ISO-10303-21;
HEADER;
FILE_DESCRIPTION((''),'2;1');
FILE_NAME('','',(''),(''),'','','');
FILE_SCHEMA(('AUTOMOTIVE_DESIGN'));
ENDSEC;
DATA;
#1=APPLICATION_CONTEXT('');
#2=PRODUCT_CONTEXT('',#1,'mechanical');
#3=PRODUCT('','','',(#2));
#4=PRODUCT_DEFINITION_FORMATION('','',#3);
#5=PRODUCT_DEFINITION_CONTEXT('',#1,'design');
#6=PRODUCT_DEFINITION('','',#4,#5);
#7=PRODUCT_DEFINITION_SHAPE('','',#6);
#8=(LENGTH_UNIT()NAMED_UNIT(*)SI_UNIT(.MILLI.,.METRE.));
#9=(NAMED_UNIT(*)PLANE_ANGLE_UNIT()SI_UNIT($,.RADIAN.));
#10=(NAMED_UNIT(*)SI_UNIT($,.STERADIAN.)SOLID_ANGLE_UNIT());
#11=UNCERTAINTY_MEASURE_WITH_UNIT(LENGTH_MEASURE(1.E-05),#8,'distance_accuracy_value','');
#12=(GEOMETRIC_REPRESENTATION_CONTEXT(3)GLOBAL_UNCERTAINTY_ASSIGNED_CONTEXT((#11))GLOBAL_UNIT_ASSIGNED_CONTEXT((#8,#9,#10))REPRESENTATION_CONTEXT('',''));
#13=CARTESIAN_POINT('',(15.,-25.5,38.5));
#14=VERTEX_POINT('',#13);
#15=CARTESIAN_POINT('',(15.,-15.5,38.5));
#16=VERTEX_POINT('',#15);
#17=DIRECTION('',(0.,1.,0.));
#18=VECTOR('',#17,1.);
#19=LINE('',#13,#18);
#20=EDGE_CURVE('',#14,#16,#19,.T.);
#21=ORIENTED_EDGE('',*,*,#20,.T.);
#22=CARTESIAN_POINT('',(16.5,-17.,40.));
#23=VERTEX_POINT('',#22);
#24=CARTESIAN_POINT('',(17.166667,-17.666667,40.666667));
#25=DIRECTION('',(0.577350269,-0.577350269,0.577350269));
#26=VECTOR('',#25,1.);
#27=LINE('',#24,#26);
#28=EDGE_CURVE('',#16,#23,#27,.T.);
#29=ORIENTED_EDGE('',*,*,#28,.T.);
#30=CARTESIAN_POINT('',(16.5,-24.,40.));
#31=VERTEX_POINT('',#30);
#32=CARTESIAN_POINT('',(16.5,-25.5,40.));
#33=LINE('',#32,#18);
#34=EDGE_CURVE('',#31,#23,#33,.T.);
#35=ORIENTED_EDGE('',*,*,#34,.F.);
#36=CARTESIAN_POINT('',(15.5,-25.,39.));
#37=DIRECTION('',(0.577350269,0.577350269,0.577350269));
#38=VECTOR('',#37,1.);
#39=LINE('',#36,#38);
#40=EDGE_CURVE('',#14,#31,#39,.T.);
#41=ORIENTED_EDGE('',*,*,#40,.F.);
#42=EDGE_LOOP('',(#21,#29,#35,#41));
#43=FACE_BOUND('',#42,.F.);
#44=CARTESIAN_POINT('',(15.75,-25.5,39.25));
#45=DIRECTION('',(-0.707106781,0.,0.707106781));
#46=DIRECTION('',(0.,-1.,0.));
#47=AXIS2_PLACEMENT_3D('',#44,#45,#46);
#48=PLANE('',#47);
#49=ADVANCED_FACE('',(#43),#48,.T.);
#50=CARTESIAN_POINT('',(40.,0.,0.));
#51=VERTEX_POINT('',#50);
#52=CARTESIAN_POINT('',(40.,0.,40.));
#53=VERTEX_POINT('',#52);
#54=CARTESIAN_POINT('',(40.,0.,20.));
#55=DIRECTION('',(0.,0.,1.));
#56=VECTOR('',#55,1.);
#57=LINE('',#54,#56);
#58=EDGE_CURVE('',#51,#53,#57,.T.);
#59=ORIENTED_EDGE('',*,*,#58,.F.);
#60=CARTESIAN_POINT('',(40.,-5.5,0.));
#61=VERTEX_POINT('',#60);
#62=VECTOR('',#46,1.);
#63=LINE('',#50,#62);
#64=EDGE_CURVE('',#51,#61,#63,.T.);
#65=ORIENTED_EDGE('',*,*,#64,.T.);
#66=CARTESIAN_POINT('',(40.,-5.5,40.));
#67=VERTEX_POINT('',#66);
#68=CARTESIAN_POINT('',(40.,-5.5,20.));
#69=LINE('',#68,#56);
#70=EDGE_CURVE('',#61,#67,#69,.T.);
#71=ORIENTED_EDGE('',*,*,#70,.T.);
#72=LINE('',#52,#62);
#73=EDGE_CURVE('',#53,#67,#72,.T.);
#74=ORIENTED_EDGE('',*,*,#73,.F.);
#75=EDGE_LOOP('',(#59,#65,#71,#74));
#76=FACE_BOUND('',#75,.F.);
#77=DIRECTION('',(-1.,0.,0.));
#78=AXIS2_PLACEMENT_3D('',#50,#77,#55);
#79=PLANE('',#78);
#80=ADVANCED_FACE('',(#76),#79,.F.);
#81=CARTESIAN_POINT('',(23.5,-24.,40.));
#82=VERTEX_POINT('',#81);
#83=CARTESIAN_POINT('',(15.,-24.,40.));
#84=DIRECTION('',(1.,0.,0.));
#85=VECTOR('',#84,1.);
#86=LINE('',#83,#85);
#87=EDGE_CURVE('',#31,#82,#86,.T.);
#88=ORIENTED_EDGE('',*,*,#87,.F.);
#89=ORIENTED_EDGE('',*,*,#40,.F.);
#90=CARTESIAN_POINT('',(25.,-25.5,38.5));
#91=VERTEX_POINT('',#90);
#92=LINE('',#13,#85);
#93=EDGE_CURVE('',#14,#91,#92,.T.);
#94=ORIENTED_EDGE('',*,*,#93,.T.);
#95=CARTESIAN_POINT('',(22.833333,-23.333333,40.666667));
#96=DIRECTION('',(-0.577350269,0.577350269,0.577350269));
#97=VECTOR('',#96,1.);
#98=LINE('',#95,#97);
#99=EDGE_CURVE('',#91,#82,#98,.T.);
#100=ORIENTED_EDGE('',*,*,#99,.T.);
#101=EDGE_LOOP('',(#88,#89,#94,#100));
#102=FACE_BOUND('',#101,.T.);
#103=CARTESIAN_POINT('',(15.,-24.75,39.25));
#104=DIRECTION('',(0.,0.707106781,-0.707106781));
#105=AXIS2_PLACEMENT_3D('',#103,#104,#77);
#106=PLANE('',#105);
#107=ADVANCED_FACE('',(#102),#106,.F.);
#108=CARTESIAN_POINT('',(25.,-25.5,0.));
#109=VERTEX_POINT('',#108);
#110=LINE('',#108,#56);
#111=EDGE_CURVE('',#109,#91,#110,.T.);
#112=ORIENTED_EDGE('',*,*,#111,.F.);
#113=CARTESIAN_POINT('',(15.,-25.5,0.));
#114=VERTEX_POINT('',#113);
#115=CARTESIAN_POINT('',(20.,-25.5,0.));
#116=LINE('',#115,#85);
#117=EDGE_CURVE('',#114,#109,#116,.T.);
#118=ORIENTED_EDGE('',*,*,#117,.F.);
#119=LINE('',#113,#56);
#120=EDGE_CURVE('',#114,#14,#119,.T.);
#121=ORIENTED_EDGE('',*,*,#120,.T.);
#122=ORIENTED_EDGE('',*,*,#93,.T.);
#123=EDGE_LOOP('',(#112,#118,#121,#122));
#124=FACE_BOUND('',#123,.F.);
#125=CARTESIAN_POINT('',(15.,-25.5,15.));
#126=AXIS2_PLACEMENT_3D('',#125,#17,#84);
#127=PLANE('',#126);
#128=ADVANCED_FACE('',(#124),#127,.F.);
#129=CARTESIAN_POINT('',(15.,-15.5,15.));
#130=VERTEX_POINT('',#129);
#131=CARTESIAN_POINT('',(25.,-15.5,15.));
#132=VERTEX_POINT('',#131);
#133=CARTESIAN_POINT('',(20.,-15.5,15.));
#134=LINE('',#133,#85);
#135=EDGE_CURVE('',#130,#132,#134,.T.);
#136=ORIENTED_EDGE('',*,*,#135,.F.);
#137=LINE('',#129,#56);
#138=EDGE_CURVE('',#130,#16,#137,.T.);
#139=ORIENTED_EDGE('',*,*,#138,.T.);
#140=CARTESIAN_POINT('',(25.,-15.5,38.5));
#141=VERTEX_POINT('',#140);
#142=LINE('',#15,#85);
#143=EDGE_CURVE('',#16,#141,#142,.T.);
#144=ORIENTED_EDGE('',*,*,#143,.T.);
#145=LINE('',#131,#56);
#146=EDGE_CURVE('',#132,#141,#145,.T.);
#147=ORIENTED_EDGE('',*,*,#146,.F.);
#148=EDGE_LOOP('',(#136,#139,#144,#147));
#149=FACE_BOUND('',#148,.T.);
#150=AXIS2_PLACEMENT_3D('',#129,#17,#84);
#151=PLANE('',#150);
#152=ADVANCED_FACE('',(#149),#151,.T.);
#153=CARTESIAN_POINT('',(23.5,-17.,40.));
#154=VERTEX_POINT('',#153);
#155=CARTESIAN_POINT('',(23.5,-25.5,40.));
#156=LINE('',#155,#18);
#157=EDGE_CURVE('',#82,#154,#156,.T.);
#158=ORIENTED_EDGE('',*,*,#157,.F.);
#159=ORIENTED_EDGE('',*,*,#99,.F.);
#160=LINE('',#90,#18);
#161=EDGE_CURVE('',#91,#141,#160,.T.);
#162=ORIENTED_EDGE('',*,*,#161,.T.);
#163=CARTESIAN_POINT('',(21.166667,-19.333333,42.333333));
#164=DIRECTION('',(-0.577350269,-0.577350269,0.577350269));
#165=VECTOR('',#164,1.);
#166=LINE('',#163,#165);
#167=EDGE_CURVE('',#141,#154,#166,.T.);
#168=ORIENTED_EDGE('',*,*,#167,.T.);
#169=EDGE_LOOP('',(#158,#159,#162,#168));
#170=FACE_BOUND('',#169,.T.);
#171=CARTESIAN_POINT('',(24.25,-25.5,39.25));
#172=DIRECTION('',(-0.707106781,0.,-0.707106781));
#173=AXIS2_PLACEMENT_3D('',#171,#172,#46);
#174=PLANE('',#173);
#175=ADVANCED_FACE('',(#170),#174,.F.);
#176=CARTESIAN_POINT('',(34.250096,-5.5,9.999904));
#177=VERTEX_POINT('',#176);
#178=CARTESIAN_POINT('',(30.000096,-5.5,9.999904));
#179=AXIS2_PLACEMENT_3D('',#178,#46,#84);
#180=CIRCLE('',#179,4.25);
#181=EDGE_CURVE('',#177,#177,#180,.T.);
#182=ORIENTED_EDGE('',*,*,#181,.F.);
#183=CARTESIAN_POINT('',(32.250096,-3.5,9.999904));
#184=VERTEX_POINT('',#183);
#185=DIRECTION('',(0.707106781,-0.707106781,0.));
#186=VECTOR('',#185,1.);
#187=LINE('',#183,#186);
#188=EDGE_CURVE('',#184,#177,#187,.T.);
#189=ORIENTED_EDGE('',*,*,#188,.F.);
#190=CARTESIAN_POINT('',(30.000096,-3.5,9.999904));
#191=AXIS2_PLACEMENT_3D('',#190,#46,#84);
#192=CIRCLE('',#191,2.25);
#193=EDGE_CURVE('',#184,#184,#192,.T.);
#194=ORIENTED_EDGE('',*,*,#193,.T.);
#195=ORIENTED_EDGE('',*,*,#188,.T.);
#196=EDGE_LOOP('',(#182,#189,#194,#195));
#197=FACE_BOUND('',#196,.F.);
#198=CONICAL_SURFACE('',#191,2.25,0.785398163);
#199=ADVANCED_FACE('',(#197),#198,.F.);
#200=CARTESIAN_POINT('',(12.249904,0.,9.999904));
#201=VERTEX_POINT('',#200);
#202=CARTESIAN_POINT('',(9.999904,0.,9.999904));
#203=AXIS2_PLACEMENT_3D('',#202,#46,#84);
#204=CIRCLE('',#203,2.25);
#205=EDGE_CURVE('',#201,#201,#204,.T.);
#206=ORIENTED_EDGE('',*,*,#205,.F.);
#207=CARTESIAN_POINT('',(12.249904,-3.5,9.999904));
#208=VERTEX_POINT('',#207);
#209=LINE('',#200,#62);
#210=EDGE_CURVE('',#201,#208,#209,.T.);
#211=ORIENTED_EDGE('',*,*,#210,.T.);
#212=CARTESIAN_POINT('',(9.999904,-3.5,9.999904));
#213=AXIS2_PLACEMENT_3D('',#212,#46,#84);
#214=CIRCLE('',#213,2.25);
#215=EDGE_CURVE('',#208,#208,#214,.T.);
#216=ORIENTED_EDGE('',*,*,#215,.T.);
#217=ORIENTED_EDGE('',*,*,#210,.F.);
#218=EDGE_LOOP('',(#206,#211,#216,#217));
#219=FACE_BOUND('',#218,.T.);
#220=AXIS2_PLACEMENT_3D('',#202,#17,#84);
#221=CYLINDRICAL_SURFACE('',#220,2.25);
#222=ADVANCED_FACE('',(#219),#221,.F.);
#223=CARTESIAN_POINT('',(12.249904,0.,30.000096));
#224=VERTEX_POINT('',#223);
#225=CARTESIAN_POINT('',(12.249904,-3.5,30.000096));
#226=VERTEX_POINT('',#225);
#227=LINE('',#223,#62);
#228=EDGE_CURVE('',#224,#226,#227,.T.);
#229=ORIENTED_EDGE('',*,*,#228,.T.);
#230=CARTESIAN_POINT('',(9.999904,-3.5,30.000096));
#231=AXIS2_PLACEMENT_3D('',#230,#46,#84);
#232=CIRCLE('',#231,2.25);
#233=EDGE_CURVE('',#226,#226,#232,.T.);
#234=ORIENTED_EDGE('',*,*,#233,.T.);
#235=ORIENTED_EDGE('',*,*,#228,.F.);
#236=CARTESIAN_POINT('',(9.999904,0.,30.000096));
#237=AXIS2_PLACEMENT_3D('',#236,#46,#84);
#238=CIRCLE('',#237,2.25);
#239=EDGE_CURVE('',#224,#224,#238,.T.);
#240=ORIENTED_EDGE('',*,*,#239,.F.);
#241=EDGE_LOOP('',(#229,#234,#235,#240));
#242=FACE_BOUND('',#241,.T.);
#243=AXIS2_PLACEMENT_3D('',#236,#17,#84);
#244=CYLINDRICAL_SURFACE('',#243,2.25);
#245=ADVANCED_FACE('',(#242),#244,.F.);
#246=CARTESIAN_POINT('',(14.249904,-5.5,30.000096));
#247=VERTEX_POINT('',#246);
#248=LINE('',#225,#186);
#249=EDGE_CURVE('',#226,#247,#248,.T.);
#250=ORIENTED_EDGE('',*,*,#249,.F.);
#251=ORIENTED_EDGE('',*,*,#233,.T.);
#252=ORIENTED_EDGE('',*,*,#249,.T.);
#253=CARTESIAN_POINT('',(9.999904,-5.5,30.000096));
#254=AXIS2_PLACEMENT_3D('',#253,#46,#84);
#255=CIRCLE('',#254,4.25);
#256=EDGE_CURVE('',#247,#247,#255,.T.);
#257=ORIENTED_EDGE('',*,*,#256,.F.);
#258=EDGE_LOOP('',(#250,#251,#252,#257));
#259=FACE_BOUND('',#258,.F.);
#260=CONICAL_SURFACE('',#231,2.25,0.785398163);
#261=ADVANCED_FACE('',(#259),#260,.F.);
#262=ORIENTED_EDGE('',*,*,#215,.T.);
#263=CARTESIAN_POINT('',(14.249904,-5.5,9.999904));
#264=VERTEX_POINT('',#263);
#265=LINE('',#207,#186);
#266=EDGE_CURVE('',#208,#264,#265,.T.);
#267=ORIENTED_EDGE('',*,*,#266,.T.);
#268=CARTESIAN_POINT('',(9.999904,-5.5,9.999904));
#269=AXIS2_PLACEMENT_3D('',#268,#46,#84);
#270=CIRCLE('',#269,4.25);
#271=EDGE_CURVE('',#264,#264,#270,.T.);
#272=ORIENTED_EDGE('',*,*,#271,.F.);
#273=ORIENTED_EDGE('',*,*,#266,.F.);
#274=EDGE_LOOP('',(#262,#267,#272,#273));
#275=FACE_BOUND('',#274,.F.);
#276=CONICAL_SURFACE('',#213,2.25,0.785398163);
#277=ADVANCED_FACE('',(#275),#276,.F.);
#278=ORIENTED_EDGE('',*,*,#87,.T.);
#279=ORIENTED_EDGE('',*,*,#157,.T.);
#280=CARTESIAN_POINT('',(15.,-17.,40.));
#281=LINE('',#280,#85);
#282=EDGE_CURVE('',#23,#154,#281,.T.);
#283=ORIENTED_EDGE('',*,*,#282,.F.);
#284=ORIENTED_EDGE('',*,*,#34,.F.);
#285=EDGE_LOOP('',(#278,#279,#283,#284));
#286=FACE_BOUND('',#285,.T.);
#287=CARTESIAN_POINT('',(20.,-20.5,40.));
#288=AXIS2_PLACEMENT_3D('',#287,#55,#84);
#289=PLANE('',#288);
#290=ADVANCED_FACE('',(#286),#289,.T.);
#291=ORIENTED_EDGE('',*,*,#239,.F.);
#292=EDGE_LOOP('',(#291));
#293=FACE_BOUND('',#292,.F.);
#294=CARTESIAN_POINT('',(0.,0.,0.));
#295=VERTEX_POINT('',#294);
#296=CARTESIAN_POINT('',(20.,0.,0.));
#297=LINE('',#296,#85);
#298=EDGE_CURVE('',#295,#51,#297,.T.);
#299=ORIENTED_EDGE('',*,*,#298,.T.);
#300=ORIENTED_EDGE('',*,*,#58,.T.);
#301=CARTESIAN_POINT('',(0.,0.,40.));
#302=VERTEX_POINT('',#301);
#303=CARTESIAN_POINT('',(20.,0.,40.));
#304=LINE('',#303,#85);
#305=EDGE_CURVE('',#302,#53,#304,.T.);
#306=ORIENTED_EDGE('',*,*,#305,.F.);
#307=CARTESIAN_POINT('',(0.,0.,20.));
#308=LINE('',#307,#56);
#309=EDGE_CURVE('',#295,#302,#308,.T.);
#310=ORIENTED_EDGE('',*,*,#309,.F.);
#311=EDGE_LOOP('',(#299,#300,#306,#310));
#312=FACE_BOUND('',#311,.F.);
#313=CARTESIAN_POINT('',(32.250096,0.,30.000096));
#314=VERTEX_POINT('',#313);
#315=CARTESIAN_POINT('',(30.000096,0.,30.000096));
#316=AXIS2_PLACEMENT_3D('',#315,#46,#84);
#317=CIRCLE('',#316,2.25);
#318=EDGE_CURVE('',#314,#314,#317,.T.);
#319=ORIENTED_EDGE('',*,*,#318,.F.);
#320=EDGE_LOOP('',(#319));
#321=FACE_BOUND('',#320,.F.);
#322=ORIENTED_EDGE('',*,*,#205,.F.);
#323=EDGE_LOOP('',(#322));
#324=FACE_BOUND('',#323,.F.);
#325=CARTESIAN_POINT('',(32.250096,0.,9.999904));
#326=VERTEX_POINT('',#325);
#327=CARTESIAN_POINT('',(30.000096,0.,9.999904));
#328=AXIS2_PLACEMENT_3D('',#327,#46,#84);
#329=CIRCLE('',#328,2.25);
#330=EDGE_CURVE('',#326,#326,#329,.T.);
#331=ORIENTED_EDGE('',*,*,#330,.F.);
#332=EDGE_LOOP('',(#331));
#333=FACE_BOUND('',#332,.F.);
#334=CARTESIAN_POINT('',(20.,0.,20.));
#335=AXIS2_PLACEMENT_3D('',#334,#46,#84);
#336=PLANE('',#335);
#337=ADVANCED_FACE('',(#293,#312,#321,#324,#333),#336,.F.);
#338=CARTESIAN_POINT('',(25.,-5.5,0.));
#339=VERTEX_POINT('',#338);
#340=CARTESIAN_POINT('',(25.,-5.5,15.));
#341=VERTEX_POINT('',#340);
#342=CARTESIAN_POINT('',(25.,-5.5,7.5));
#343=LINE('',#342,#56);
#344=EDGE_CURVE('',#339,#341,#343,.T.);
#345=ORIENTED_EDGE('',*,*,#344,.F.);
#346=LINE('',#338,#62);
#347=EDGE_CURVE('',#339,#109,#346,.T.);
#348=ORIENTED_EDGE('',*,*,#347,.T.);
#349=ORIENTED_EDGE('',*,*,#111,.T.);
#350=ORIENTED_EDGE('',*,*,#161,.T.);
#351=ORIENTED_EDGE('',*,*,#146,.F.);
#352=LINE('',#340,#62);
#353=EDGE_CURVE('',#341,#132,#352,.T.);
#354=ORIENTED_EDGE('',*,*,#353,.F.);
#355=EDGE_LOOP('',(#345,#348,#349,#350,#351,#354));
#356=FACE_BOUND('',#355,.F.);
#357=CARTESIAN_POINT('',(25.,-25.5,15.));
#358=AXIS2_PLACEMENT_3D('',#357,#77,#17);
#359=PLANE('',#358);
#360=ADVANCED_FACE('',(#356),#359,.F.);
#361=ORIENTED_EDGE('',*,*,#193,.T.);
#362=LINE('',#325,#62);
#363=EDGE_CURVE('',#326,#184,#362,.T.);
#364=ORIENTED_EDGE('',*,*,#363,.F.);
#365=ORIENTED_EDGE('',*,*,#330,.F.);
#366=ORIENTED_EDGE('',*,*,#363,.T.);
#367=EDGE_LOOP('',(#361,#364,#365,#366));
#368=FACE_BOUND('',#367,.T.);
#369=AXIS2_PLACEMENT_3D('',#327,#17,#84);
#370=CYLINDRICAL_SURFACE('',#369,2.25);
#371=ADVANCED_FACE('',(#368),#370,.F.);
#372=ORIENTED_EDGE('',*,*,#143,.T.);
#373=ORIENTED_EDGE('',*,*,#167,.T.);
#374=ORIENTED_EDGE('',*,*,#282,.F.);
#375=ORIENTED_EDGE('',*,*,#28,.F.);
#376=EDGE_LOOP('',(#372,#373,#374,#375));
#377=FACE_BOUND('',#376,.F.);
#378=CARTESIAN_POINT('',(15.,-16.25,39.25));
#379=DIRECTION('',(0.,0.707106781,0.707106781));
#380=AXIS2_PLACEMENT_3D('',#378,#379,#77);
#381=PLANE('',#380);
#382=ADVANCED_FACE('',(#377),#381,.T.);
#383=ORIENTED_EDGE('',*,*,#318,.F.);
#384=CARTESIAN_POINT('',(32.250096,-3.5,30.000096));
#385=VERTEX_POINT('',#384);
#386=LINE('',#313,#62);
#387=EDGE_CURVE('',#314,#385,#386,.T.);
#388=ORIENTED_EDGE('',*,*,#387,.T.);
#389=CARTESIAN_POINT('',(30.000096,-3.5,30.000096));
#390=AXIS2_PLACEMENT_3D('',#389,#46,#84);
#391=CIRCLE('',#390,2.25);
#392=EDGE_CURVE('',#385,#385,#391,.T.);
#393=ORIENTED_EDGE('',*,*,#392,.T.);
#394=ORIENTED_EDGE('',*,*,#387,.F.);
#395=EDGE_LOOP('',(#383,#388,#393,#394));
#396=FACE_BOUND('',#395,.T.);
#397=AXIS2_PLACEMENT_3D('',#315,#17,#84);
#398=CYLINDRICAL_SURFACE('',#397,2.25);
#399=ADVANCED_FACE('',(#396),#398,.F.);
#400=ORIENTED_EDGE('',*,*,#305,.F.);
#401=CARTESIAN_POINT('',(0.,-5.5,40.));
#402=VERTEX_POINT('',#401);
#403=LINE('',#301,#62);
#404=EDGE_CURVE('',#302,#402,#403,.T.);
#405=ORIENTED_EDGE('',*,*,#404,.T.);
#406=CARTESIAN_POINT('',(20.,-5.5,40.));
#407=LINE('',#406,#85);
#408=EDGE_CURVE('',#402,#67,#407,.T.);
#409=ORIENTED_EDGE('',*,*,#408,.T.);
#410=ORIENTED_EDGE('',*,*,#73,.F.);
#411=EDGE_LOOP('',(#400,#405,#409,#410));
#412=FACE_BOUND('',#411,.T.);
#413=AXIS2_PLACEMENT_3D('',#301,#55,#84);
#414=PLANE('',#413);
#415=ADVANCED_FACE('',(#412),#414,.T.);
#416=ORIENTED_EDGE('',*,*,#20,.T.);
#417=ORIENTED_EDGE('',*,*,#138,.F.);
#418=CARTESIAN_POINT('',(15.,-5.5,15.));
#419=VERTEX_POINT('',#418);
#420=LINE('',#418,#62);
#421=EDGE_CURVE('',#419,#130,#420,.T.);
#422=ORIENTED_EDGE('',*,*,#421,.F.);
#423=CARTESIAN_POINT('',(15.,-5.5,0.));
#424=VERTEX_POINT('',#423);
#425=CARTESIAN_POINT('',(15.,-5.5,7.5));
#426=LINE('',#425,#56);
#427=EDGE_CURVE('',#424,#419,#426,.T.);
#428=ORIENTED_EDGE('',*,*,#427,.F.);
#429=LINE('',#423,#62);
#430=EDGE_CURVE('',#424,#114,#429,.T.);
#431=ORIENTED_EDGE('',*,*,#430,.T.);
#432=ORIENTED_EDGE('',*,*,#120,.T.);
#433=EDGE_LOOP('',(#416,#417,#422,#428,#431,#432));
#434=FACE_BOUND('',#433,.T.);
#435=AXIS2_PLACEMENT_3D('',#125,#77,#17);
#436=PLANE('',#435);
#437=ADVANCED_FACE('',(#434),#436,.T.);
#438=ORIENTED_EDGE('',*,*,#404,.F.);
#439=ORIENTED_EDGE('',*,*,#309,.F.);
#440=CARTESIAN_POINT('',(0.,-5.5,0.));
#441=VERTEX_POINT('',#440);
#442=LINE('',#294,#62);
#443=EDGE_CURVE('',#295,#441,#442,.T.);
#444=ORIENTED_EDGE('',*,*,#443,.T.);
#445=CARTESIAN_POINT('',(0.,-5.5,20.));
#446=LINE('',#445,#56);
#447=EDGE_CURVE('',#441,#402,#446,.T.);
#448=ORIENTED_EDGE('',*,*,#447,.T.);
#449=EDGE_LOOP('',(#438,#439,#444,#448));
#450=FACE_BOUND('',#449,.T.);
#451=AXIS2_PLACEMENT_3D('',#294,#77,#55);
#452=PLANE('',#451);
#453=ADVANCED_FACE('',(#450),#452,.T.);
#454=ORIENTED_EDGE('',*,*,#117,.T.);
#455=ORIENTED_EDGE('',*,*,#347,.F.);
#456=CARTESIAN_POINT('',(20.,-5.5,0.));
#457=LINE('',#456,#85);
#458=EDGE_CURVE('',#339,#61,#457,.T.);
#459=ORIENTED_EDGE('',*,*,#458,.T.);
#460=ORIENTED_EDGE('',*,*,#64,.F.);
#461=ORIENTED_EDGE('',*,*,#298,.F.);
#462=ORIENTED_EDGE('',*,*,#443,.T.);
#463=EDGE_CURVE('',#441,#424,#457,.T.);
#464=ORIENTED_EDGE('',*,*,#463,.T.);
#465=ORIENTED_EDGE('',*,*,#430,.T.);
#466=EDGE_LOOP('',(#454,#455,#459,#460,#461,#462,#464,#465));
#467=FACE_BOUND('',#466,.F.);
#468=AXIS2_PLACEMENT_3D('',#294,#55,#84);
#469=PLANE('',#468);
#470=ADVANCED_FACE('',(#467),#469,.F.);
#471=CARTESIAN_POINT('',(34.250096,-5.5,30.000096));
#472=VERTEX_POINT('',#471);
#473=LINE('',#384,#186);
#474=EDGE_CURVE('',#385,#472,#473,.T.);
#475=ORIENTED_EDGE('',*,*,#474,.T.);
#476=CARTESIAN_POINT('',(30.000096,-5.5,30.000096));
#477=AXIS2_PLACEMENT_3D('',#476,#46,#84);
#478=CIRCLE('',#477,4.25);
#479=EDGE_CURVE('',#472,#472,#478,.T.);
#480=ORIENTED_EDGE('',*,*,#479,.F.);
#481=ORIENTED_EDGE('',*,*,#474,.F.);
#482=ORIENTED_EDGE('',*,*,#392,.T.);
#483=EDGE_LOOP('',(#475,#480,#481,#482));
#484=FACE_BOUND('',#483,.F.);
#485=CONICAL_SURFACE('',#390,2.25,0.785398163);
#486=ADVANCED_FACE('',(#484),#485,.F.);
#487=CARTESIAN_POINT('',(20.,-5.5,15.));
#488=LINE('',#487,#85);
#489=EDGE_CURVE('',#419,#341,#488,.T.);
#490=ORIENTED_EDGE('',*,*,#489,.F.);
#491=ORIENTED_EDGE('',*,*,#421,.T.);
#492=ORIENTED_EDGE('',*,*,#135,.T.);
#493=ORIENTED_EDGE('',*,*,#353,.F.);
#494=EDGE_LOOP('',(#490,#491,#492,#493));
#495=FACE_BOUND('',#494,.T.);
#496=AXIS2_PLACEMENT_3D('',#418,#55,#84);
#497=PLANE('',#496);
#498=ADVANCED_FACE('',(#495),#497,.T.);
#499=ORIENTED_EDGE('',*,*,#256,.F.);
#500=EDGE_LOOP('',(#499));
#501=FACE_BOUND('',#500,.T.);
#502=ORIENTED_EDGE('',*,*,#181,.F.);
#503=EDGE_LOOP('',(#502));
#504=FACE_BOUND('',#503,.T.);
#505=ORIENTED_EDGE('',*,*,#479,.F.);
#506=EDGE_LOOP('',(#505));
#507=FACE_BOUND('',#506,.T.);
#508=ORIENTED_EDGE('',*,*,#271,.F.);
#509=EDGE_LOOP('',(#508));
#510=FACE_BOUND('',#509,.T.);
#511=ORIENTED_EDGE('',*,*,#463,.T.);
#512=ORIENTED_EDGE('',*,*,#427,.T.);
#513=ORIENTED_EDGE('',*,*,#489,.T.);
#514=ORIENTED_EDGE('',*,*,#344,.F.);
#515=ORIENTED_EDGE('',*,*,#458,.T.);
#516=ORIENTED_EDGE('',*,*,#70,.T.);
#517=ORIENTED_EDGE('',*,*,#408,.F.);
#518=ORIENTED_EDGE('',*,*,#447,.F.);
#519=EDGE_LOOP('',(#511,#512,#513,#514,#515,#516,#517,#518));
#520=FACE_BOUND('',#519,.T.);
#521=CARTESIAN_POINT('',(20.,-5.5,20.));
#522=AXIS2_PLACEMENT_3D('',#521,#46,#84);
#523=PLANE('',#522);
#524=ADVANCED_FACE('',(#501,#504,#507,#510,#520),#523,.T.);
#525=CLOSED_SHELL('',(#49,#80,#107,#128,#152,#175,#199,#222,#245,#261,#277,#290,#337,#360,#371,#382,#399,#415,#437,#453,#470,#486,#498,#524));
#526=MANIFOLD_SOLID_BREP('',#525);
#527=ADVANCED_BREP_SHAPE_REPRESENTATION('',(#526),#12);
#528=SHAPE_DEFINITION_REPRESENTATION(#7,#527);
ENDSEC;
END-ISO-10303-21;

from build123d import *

# Parameters (mm, degrees)
F0_W     = 40
F0_H     = 40
F0_R     = 2.25
F1_DEPTH = 5.5
F2_SIZE  = 2
F3_W     = 10
F3_H     = 15
F4_DEPTH = 20
F5_W     = 10
F5_H     = 10
F6_DEPTH = 25
F7_SIZE  = 1.5


with BuildPart() as f1:
    # F0 (on Front) → F1 (new body)
    with BuildSketch(Plane.XZ):
        with Locations((20, 20)):
            Rectangle(F0_W, F0_H)
        with Locations((9.999904, 9.999904)):
            Circle(F0_R, mode=Mode.SUBTRACT)
        with Locations((30.000096, 9.999904)):
            Circle(F0_R, mode=Mode.SUBTRACT)
        with Locations((9.999904, 30.000096)):
            Circle(F0_R, mode=Mode.SUBTRACT)
        with Locations((30.000096, 30.000096)):
            Circle(F0_R, mode=Mode.SUBTRACT)
    extrude(amount=F1_DEPTH)

    # F2
    f2_edges = [f1.edges().sort_by_distance(p)[0] for p in [
        (7.749904, -5.5, 30.000096),
        (27.750096, -5.5, 30.000096),
        (27.750096, -5.5, 9.999904),
        (7.749904, -5.5, 9.999904),
    ]]
    chamfer(f2_edges, length=F2_SIZE)

    # F3 (on face) → F4 (join)
    with BuildSketch(Plane.XZ.offset(5.5)):
        with Locations((20, 7.5)):
            Rectangle(F3_W, F3_H)
    extrude(amount=F4_DEPTH)

    # F5 (on face) → F6 (join)
    with BuildSketch(Plane.XY.offset(15)):
        with Locations((20, -20.5)):
            Rectangle(F5_W, F5_H)
    extrude(amount=F6_DEPTH)

    # F7
    f7_edges = [f1.edges().sort_by_distance(p)[0] for p in [
        (20, -25.5, 40),
        (25, -20.5, 40),
        (20, -15.5, 40),
        (15, -20.5, 40),
    ]]
    chamfer(f7_edges, length=F7_SIZE)


solid = f1.part
